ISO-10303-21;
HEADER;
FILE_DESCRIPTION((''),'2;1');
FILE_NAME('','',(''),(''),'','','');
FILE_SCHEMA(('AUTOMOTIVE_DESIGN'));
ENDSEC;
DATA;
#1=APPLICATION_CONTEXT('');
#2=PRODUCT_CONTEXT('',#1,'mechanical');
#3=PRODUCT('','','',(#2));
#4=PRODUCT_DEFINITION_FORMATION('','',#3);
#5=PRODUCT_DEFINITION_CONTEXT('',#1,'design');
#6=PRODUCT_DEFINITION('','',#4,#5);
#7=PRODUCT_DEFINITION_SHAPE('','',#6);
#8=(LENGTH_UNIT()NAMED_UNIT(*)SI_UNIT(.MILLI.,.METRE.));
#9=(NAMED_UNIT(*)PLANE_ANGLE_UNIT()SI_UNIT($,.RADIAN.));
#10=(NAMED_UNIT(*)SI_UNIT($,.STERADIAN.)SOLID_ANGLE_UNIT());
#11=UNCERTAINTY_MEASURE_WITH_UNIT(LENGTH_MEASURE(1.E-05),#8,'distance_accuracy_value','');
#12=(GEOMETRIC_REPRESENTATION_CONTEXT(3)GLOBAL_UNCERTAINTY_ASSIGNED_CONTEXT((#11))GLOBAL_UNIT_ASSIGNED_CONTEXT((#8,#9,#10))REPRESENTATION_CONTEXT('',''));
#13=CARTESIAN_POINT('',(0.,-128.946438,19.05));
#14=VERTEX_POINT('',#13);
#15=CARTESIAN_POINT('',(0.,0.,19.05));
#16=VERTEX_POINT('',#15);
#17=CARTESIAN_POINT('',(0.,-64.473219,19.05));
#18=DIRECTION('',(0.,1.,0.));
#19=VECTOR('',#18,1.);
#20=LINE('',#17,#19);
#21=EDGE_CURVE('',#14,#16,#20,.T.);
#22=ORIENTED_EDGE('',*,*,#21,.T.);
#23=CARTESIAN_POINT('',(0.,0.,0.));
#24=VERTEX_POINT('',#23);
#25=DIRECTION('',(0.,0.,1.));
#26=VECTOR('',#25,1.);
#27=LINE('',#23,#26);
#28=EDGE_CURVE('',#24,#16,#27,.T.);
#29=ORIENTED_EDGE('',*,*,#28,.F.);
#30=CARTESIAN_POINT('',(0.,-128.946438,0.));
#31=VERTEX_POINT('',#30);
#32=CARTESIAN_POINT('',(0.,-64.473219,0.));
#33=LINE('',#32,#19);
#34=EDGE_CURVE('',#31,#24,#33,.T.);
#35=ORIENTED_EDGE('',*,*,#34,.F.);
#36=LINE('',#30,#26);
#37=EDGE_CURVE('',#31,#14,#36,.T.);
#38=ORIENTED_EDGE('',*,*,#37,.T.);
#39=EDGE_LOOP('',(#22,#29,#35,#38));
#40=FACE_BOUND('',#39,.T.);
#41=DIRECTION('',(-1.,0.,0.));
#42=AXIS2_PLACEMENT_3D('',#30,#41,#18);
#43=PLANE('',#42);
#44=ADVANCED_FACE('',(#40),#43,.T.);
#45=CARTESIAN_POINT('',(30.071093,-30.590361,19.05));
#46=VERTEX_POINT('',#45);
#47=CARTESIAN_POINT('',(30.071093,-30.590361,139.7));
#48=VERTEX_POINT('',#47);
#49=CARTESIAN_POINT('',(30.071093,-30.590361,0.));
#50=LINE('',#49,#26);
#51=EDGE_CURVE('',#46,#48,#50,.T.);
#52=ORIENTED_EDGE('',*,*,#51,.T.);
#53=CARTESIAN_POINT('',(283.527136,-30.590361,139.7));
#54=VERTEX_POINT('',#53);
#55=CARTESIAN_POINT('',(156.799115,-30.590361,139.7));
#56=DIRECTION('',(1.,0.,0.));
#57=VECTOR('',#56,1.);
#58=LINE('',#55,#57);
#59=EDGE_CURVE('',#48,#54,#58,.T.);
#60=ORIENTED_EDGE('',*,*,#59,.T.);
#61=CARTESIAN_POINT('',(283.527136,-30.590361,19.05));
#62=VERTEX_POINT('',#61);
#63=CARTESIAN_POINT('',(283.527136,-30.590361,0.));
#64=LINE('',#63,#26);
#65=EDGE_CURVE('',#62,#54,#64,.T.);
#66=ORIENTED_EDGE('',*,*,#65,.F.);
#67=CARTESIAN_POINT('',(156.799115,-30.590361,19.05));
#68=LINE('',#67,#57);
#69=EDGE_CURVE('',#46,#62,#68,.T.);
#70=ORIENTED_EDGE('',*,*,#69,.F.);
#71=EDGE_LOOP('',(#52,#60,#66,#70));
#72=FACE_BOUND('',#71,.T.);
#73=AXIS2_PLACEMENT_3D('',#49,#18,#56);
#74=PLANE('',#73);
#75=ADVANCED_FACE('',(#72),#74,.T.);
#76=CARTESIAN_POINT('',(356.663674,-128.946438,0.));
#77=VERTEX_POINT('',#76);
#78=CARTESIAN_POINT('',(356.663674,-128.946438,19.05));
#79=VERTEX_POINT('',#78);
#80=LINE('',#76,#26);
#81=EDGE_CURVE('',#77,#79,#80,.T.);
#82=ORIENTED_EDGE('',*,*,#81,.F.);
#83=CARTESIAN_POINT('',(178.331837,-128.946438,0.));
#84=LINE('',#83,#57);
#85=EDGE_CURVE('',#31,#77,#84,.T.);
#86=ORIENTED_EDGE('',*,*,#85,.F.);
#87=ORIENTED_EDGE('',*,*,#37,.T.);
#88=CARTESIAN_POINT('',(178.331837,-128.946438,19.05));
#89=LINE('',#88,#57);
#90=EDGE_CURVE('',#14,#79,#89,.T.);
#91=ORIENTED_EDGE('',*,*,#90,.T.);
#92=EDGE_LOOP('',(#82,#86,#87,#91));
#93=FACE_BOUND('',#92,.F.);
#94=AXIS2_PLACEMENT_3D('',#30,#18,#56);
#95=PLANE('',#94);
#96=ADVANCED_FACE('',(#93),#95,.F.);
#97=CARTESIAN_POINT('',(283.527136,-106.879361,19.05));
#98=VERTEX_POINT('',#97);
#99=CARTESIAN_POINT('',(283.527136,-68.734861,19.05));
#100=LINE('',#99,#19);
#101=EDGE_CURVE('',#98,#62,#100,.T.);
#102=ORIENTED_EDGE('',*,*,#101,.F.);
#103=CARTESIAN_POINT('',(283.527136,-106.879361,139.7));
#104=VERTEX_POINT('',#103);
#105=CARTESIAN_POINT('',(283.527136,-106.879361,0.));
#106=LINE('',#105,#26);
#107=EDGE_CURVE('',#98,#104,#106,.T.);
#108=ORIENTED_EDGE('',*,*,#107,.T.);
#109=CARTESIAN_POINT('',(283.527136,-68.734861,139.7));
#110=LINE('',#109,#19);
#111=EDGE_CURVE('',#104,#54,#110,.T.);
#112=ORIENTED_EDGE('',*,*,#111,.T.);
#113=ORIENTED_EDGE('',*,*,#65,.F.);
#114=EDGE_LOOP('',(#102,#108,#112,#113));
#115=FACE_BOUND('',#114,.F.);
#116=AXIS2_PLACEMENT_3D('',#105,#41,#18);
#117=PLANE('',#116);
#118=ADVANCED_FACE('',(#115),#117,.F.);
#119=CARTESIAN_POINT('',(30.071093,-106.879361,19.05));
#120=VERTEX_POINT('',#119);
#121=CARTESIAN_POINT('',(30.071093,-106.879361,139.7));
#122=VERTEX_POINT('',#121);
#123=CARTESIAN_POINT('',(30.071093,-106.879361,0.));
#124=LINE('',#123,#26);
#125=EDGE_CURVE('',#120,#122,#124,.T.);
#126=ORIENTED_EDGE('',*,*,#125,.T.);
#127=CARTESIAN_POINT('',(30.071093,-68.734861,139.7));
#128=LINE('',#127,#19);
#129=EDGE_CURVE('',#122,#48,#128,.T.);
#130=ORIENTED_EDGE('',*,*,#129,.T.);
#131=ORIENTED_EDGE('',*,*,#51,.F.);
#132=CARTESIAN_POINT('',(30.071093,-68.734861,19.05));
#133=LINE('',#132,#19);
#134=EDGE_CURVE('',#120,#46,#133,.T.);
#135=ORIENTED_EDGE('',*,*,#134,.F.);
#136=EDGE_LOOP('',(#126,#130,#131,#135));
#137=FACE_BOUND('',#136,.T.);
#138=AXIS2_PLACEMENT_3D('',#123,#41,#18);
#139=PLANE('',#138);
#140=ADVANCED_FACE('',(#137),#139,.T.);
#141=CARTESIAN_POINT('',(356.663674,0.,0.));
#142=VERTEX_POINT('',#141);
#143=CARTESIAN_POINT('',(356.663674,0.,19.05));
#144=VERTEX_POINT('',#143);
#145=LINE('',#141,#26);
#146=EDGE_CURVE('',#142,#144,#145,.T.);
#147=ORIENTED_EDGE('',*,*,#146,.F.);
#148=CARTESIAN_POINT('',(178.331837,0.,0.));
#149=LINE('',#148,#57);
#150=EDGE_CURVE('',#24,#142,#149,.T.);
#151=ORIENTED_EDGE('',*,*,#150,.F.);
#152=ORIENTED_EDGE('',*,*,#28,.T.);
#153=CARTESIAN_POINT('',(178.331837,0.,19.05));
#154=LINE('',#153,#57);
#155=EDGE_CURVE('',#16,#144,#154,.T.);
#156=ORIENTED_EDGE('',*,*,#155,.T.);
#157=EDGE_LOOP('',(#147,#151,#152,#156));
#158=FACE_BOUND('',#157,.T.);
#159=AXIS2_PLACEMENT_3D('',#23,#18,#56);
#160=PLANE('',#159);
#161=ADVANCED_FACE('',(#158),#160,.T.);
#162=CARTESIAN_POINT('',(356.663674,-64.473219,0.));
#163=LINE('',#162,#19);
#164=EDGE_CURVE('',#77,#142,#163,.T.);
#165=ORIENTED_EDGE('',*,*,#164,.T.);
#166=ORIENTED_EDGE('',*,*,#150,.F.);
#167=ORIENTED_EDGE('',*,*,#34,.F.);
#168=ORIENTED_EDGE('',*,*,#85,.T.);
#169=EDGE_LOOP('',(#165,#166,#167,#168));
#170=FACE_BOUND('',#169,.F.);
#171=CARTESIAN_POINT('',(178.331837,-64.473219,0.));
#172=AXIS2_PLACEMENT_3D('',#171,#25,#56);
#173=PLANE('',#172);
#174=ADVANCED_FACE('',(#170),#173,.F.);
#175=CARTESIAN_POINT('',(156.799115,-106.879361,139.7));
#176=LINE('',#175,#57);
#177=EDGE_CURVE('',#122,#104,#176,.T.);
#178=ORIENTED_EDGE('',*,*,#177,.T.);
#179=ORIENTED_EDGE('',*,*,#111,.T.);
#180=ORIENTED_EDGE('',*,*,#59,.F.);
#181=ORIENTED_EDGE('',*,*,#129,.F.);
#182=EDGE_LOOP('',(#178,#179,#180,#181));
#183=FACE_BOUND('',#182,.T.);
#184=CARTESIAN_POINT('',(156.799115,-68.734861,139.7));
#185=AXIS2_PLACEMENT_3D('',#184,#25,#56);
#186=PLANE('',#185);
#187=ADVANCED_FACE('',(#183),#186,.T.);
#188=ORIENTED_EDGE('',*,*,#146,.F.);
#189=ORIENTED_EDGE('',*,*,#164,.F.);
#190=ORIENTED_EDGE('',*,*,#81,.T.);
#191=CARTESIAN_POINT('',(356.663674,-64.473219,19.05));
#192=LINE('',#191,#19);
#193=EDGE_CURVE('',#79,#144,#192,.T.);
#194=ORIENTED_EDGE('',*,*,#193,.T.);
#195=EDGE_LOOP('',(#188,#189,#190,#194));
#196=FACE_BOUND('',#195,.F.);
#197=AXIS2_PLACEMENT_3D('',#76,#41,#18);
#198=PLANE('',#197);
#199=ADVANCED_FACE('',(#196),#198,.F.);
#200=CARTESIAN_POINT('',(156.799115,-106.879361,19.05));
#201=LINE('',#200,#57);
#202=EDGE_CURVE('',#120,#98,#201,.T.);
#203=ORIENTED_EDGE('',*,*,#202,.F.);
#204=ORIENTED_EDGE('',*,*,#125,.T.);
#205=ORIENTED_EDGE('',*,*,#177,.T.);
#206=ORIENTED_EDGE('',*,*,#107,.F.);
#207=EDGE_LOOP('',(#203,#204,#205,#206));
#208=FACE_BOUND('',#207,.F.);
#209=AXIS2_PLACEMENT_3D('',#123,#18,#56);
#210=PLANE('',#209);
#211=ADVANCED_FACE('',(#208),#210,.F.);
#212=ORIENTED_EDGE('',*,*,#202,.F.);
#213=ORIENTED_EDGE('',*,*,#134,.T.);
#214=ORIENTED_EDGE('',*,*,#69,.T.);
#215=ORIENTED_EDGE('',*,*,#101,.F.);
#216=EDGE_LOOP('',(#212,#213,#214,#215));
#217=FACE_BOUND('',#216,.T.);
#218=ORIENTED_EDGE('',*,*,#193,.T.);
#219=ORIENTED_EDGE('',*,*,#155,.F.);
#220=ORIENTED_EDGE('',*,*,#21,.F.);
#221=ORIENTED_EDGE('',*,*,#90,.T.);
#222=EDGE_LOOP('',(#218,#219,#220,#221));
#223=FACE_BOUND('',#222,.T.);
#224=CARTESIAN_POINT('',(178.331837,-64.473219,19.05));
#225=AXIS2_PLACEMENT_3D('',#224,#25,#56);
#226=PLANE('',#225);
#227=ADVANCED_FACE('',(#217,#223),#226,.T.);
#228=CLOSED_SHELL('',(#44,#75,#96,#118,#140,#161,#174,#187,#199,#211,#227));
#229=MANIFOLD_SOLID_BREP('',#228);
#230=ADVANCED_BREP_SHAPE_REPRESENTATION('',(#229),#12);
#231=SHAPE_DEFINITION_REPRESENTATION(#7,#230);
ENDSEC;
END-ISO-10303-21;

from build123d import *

# Parameters (mm, degrees)
F0_W     = 253.456043
F0_H     = 76.289
F1_DEPTH = 139.7
F0_W_2   = 356.663674
F0_H_2   = 128.946438
F2_DEPTH = 19.05


with BuildPart() as f1:
    # F0 (on Top) → F1 (new body)
    with BuildSketch(Plane.XY):
        with Locations((156.799115, -68.734861)):
            Rectangle(F0_W, F0_H)
    extrude(amount=F1_DEPTH)

    # F0 (on Top) → F2 (join)
    with BuildSketch(Plane.XY):
        with Locations((178.331837, -64.473219)):
            Rectangle(F0_W_2, F0_H_2)
        with Locations((156.799115, -68.734861)):
            Rectangle(F0_W, F0_H, mode=Mode.SUBTRACT)
    extrude(amount=F2_DEPTH)


solid = f1.part
